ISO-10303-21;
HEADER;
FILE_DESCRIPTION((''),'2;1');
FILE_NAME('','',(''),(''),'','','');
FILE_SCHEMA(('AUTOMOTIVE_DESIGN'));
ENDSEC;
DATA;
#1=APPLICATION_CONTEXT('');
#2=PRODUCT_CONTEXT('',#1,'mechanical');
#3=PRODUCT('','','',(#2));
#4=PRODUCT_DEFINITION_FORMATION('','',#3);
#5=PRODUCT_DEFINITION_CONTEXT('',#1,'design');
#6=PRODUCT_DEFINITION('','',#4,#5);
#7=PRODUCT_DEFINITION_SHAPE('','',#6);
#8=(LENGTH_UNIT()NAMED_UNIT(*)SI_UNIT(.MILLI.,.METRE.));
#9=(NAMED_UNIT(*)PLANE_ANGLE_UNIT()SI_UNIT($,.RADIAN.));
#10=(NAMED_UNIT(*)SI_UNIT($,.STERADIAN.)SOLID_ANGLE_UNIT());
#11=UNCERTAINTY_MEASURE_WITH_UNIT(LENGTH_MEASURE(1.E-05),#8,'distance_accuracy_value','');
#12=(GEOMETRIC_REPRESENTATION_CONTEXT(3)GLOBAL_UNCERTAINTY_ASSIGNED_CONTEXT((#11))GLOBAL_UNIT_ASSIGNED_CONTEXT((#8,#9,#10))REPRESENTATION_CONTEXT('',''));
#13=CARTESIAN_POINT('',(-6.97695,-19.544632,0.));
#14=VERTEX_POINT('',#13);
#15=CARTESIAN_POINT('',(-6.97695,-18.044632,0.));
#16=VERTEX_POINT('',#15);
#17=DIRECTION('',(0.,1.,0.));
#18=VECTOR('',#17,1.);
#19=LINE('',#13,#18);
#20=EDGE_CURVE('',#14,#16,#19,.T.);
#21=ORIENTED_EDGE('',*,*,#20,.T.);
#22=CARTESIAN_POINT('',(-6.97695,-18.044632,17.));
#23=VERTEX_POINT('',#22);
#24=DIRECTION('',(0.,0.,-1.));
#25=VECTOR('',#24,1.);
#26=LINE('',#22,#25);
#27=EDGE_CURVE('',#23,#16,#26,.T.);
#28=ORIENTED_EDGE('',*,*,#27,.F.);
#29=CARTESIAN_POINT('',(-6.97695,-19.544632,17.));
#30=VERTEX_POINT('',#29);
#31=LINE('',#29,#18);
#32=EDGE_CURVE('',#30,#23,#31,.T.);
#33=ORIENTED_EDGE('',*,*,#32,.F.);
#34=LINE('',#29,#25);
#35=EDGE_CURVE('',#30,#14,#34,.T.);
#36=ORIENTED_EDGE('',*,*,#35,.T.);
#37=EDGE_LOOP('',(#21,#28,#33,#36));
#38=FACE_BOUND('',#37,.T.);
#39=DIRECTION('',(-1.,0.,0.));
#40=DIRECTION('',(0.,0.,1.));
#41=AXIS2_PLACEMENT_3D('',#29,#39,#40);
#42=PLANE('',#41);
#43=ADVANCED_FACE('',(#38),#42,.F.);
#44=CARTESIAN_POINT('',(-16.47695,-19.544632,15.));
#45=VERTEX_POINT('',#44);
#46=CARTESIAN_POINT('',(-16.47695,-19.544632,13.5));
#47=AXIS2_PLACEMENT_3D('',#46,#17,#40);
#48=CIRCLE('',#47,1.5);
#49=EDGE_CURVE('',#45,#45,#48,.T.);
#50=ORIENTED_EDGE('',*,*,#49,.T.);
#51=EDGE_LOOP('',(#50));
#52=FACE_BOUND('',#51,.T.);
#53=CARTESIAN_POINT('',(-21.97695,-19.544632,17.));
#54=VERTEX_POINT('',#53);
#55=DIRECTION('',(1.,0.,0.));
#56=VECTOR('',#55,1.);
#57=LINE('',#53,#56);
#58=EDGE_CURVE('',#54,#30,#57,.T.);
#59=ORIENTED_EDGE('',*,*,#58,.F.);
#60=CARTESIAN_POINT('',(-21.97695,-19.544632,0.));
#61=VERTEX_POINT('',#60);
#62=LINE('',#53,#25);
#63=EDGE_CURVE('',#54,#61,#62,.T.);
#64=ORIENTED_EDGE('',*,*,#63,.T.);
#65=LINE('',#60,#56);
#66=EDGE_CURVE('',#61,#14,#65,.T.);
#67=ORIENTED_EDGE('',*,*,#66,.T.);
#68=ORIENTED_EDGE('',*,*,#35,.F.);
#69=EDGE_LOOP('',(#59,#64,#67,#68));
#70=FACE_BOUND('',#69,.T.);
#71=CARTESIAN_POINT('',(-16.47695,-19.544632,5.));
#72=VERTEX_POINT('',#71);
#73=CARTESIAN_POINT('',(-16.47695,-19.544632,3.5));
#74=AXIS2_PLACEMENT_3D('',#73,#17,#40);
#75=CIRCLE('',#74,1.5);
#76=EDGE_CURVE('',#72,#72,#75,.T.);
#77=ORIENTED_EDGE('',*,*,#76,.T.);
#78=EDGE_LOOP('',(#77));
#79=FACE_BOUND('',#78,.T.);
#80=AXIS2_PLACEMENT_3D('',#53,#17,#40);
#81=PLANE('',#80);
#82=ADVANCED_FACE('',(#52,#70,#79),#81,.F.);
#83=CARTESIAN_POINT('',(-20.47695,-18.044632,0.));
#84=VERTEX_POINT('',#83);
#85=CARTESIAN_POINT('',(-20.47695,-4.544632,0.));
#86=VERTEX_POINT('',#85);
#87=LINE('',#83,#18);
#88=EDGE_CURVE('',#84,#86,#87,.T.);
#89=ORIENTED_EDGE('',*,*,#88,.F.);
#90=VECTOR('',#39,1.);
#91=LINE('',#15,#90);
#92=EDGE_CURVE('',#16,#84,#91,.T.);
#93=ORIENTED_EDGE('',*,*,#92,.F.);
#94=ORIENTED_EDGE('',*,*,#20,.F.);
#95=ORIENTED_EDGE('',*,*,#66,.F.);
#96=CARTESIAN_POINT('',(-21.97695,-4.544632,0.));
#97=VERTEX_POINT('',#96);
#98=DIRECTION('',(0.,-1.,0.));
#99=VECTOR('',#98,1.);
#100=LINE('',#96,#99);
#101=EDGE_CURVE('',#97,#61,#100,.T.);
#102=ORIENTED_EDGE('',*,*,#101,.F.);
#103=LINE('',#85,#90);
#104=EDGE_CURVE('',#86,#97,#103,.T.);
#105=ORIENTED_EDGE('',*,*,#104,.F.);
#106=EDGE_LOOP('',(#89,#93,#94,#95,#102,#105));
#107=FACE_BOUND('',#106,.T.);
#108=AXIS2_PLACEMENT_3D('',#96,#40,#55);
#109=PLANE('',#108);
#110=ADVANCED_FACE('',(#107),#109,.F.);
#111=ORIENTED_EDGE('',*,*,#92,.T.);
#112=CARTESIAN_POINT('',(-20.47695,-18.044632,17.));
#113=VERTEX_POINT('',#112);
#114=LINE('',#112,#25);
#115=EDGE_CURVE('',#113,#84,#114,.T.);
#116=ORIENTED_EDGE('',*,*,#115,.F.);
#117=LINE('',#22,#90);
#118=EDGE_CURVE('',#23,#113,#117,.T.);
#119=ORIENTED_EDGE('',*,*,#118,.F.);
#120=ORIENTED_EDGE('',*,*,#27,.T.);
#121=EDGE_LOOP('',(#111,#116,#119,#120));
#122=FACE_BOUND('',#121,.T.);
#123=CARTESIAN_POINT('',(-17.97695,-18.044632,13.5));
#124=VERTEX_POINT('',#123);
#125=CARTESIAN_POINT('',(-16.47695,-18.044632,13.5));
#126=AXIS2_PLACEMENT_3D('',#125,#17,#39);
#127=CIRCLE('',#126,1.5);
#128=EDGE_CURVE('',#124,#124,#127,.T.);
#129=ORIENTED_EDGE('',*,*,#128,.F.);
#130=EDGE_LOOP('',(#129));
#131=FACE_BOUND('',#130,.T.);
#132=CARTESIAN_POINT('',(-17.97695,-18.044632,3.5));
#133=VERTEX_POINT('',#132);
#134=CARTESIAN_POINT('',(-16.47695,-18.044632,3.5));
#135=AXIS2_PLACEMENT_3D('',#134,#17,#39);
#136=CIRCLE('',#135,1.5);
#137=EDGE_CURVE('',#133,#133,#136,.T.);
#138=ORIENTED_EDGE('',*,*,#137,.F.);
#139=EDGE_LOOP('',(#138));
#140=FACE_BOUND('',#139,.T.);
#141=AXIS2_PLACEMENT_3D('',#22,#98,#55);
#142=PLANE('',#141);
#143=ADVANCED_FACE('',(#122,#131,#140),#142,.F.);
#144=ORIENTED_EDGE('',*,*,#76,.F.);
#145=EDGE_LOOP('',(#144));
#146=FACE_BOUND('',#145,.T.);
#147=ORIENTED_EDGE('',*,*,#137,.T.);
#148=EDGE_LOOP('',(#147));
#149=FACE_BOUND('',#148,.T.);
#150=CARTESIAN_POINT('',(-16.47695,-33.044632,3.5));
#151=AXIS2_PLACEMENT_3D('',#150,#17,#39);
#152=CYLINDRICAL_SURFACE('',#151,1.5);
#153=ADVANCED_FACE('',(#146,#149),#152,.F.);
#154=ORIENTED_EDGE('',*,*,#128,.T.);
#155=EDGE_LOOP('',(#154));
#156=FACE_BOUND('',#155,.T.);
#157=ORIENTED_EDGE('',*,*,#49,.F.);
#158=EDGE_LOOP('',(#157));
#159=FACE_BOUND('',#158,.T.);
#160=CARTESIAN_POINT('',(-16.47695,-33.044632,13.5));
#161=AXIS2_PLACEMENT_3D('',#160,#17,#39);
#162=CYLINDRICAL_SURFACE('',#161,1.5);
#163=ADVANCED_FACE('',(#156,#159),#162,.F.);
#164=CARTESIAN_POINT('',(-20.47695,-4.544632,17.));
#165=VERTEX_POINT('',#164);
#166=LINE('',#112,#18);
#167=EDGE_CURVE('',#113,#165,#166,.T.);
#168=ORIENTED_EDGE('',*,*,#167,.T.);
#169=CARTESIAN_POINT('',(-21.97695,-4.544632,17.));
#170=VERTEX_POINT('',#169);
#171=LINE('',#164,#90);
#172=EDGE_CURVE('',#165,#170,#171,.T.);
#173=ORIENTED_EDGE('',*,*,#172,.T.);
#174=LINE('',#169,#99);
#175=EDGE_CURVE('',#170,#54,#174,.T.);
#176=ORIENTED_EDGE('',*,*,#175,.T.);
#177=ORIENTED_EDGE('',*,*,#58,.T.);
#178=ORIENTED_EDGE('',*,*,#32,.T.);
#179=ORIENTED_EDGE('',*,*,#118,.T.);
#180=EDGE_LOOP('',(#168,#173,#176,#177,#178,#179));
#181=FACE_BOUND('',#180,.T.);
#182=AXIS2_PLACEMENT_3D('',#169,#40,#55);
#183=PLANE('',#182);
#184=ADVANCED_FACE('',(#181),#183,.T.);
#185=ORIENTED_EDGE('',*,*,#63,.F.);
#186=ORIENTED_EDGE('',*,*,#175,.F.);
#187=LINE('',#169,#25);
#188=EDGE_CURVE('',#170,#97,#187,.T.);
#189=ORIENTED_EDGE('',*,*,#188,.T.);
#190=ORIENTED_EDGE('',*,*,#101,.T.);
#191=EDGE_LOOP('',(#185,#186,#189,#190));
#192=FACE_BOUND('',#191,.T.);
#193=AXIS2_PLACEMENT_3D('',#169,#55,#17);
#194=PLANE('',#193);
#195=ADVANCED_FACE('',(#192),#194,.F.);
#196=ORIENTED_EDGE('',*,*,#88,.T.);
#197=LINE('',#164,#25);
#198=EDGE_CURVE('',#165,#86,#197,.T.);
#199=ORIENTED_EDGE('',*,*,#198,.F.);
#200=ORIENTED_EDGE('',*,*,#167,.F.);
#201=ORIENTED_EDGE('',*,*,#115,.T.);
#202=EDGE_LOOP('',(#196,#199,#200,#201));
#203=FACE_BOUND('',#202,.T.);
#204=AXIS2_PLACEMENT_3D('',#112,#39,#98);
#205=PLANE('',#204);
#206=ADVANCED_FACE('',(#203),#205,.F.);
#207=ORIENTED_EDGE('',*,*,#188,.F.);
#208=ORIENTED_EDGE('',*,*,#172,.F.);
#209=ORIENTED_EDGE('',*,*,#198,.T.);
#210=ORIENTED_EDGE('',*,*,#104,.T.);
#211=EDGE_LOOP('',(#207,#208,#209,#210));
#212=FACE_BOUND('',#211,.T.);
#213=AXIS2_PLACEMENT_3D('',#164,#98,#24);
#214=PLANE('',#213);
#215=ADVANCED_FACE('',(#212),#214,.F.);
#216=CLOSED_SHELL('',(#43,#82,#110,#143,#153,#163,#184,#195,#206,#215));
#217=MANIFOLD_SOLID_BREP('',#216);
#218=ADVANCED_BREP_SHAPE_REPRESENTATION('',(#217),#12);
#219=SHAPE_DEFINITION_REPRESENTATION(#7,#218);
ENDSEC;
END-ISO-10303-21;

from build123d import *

# Parameters (mm, degrees)
EXTRUSION1_DEPTH = 17
ESQUISSE2_R      = 1.5
EXTRUSION2_DEPTH = 15


with BuildPart() as part:
    # Esquisse1 → Extrusion1 (new body)
    with BuildSketch(Plane.XY):
        Polygon((-21.976949538, -4.544631579), (-21.976949538, -19.544631579), (-6.976949538, -19.544631579), (-6.976949538, -18.044631579), (-20.476949538, -18.044631579), (-20.476949538, -4.544631579), align=None)
    extrude(amount=EXTRUSION1_DEPTH)

    # Esquisse2 → Extrusion2 (cut)
    with BuildSketch(Plane(origin=(0, -18.044631579, 0), x_dir=(1, 0, 0), z_dir=(0, 1, 0))):
        with Locations(Location((-16.476949538, -13.5, 0), (0, 0, 180))):
            Circle(ESQUISSE2_R)
        with Locations(Location((-16.476949538, -3.5, 0), (0, 0, 180))):
            Circle(ESQUISSE2_R)
    extrude(amount=-EXTRUSION2_DEPTH, mode=Mode.SUBTRACT)


solid = part.part
